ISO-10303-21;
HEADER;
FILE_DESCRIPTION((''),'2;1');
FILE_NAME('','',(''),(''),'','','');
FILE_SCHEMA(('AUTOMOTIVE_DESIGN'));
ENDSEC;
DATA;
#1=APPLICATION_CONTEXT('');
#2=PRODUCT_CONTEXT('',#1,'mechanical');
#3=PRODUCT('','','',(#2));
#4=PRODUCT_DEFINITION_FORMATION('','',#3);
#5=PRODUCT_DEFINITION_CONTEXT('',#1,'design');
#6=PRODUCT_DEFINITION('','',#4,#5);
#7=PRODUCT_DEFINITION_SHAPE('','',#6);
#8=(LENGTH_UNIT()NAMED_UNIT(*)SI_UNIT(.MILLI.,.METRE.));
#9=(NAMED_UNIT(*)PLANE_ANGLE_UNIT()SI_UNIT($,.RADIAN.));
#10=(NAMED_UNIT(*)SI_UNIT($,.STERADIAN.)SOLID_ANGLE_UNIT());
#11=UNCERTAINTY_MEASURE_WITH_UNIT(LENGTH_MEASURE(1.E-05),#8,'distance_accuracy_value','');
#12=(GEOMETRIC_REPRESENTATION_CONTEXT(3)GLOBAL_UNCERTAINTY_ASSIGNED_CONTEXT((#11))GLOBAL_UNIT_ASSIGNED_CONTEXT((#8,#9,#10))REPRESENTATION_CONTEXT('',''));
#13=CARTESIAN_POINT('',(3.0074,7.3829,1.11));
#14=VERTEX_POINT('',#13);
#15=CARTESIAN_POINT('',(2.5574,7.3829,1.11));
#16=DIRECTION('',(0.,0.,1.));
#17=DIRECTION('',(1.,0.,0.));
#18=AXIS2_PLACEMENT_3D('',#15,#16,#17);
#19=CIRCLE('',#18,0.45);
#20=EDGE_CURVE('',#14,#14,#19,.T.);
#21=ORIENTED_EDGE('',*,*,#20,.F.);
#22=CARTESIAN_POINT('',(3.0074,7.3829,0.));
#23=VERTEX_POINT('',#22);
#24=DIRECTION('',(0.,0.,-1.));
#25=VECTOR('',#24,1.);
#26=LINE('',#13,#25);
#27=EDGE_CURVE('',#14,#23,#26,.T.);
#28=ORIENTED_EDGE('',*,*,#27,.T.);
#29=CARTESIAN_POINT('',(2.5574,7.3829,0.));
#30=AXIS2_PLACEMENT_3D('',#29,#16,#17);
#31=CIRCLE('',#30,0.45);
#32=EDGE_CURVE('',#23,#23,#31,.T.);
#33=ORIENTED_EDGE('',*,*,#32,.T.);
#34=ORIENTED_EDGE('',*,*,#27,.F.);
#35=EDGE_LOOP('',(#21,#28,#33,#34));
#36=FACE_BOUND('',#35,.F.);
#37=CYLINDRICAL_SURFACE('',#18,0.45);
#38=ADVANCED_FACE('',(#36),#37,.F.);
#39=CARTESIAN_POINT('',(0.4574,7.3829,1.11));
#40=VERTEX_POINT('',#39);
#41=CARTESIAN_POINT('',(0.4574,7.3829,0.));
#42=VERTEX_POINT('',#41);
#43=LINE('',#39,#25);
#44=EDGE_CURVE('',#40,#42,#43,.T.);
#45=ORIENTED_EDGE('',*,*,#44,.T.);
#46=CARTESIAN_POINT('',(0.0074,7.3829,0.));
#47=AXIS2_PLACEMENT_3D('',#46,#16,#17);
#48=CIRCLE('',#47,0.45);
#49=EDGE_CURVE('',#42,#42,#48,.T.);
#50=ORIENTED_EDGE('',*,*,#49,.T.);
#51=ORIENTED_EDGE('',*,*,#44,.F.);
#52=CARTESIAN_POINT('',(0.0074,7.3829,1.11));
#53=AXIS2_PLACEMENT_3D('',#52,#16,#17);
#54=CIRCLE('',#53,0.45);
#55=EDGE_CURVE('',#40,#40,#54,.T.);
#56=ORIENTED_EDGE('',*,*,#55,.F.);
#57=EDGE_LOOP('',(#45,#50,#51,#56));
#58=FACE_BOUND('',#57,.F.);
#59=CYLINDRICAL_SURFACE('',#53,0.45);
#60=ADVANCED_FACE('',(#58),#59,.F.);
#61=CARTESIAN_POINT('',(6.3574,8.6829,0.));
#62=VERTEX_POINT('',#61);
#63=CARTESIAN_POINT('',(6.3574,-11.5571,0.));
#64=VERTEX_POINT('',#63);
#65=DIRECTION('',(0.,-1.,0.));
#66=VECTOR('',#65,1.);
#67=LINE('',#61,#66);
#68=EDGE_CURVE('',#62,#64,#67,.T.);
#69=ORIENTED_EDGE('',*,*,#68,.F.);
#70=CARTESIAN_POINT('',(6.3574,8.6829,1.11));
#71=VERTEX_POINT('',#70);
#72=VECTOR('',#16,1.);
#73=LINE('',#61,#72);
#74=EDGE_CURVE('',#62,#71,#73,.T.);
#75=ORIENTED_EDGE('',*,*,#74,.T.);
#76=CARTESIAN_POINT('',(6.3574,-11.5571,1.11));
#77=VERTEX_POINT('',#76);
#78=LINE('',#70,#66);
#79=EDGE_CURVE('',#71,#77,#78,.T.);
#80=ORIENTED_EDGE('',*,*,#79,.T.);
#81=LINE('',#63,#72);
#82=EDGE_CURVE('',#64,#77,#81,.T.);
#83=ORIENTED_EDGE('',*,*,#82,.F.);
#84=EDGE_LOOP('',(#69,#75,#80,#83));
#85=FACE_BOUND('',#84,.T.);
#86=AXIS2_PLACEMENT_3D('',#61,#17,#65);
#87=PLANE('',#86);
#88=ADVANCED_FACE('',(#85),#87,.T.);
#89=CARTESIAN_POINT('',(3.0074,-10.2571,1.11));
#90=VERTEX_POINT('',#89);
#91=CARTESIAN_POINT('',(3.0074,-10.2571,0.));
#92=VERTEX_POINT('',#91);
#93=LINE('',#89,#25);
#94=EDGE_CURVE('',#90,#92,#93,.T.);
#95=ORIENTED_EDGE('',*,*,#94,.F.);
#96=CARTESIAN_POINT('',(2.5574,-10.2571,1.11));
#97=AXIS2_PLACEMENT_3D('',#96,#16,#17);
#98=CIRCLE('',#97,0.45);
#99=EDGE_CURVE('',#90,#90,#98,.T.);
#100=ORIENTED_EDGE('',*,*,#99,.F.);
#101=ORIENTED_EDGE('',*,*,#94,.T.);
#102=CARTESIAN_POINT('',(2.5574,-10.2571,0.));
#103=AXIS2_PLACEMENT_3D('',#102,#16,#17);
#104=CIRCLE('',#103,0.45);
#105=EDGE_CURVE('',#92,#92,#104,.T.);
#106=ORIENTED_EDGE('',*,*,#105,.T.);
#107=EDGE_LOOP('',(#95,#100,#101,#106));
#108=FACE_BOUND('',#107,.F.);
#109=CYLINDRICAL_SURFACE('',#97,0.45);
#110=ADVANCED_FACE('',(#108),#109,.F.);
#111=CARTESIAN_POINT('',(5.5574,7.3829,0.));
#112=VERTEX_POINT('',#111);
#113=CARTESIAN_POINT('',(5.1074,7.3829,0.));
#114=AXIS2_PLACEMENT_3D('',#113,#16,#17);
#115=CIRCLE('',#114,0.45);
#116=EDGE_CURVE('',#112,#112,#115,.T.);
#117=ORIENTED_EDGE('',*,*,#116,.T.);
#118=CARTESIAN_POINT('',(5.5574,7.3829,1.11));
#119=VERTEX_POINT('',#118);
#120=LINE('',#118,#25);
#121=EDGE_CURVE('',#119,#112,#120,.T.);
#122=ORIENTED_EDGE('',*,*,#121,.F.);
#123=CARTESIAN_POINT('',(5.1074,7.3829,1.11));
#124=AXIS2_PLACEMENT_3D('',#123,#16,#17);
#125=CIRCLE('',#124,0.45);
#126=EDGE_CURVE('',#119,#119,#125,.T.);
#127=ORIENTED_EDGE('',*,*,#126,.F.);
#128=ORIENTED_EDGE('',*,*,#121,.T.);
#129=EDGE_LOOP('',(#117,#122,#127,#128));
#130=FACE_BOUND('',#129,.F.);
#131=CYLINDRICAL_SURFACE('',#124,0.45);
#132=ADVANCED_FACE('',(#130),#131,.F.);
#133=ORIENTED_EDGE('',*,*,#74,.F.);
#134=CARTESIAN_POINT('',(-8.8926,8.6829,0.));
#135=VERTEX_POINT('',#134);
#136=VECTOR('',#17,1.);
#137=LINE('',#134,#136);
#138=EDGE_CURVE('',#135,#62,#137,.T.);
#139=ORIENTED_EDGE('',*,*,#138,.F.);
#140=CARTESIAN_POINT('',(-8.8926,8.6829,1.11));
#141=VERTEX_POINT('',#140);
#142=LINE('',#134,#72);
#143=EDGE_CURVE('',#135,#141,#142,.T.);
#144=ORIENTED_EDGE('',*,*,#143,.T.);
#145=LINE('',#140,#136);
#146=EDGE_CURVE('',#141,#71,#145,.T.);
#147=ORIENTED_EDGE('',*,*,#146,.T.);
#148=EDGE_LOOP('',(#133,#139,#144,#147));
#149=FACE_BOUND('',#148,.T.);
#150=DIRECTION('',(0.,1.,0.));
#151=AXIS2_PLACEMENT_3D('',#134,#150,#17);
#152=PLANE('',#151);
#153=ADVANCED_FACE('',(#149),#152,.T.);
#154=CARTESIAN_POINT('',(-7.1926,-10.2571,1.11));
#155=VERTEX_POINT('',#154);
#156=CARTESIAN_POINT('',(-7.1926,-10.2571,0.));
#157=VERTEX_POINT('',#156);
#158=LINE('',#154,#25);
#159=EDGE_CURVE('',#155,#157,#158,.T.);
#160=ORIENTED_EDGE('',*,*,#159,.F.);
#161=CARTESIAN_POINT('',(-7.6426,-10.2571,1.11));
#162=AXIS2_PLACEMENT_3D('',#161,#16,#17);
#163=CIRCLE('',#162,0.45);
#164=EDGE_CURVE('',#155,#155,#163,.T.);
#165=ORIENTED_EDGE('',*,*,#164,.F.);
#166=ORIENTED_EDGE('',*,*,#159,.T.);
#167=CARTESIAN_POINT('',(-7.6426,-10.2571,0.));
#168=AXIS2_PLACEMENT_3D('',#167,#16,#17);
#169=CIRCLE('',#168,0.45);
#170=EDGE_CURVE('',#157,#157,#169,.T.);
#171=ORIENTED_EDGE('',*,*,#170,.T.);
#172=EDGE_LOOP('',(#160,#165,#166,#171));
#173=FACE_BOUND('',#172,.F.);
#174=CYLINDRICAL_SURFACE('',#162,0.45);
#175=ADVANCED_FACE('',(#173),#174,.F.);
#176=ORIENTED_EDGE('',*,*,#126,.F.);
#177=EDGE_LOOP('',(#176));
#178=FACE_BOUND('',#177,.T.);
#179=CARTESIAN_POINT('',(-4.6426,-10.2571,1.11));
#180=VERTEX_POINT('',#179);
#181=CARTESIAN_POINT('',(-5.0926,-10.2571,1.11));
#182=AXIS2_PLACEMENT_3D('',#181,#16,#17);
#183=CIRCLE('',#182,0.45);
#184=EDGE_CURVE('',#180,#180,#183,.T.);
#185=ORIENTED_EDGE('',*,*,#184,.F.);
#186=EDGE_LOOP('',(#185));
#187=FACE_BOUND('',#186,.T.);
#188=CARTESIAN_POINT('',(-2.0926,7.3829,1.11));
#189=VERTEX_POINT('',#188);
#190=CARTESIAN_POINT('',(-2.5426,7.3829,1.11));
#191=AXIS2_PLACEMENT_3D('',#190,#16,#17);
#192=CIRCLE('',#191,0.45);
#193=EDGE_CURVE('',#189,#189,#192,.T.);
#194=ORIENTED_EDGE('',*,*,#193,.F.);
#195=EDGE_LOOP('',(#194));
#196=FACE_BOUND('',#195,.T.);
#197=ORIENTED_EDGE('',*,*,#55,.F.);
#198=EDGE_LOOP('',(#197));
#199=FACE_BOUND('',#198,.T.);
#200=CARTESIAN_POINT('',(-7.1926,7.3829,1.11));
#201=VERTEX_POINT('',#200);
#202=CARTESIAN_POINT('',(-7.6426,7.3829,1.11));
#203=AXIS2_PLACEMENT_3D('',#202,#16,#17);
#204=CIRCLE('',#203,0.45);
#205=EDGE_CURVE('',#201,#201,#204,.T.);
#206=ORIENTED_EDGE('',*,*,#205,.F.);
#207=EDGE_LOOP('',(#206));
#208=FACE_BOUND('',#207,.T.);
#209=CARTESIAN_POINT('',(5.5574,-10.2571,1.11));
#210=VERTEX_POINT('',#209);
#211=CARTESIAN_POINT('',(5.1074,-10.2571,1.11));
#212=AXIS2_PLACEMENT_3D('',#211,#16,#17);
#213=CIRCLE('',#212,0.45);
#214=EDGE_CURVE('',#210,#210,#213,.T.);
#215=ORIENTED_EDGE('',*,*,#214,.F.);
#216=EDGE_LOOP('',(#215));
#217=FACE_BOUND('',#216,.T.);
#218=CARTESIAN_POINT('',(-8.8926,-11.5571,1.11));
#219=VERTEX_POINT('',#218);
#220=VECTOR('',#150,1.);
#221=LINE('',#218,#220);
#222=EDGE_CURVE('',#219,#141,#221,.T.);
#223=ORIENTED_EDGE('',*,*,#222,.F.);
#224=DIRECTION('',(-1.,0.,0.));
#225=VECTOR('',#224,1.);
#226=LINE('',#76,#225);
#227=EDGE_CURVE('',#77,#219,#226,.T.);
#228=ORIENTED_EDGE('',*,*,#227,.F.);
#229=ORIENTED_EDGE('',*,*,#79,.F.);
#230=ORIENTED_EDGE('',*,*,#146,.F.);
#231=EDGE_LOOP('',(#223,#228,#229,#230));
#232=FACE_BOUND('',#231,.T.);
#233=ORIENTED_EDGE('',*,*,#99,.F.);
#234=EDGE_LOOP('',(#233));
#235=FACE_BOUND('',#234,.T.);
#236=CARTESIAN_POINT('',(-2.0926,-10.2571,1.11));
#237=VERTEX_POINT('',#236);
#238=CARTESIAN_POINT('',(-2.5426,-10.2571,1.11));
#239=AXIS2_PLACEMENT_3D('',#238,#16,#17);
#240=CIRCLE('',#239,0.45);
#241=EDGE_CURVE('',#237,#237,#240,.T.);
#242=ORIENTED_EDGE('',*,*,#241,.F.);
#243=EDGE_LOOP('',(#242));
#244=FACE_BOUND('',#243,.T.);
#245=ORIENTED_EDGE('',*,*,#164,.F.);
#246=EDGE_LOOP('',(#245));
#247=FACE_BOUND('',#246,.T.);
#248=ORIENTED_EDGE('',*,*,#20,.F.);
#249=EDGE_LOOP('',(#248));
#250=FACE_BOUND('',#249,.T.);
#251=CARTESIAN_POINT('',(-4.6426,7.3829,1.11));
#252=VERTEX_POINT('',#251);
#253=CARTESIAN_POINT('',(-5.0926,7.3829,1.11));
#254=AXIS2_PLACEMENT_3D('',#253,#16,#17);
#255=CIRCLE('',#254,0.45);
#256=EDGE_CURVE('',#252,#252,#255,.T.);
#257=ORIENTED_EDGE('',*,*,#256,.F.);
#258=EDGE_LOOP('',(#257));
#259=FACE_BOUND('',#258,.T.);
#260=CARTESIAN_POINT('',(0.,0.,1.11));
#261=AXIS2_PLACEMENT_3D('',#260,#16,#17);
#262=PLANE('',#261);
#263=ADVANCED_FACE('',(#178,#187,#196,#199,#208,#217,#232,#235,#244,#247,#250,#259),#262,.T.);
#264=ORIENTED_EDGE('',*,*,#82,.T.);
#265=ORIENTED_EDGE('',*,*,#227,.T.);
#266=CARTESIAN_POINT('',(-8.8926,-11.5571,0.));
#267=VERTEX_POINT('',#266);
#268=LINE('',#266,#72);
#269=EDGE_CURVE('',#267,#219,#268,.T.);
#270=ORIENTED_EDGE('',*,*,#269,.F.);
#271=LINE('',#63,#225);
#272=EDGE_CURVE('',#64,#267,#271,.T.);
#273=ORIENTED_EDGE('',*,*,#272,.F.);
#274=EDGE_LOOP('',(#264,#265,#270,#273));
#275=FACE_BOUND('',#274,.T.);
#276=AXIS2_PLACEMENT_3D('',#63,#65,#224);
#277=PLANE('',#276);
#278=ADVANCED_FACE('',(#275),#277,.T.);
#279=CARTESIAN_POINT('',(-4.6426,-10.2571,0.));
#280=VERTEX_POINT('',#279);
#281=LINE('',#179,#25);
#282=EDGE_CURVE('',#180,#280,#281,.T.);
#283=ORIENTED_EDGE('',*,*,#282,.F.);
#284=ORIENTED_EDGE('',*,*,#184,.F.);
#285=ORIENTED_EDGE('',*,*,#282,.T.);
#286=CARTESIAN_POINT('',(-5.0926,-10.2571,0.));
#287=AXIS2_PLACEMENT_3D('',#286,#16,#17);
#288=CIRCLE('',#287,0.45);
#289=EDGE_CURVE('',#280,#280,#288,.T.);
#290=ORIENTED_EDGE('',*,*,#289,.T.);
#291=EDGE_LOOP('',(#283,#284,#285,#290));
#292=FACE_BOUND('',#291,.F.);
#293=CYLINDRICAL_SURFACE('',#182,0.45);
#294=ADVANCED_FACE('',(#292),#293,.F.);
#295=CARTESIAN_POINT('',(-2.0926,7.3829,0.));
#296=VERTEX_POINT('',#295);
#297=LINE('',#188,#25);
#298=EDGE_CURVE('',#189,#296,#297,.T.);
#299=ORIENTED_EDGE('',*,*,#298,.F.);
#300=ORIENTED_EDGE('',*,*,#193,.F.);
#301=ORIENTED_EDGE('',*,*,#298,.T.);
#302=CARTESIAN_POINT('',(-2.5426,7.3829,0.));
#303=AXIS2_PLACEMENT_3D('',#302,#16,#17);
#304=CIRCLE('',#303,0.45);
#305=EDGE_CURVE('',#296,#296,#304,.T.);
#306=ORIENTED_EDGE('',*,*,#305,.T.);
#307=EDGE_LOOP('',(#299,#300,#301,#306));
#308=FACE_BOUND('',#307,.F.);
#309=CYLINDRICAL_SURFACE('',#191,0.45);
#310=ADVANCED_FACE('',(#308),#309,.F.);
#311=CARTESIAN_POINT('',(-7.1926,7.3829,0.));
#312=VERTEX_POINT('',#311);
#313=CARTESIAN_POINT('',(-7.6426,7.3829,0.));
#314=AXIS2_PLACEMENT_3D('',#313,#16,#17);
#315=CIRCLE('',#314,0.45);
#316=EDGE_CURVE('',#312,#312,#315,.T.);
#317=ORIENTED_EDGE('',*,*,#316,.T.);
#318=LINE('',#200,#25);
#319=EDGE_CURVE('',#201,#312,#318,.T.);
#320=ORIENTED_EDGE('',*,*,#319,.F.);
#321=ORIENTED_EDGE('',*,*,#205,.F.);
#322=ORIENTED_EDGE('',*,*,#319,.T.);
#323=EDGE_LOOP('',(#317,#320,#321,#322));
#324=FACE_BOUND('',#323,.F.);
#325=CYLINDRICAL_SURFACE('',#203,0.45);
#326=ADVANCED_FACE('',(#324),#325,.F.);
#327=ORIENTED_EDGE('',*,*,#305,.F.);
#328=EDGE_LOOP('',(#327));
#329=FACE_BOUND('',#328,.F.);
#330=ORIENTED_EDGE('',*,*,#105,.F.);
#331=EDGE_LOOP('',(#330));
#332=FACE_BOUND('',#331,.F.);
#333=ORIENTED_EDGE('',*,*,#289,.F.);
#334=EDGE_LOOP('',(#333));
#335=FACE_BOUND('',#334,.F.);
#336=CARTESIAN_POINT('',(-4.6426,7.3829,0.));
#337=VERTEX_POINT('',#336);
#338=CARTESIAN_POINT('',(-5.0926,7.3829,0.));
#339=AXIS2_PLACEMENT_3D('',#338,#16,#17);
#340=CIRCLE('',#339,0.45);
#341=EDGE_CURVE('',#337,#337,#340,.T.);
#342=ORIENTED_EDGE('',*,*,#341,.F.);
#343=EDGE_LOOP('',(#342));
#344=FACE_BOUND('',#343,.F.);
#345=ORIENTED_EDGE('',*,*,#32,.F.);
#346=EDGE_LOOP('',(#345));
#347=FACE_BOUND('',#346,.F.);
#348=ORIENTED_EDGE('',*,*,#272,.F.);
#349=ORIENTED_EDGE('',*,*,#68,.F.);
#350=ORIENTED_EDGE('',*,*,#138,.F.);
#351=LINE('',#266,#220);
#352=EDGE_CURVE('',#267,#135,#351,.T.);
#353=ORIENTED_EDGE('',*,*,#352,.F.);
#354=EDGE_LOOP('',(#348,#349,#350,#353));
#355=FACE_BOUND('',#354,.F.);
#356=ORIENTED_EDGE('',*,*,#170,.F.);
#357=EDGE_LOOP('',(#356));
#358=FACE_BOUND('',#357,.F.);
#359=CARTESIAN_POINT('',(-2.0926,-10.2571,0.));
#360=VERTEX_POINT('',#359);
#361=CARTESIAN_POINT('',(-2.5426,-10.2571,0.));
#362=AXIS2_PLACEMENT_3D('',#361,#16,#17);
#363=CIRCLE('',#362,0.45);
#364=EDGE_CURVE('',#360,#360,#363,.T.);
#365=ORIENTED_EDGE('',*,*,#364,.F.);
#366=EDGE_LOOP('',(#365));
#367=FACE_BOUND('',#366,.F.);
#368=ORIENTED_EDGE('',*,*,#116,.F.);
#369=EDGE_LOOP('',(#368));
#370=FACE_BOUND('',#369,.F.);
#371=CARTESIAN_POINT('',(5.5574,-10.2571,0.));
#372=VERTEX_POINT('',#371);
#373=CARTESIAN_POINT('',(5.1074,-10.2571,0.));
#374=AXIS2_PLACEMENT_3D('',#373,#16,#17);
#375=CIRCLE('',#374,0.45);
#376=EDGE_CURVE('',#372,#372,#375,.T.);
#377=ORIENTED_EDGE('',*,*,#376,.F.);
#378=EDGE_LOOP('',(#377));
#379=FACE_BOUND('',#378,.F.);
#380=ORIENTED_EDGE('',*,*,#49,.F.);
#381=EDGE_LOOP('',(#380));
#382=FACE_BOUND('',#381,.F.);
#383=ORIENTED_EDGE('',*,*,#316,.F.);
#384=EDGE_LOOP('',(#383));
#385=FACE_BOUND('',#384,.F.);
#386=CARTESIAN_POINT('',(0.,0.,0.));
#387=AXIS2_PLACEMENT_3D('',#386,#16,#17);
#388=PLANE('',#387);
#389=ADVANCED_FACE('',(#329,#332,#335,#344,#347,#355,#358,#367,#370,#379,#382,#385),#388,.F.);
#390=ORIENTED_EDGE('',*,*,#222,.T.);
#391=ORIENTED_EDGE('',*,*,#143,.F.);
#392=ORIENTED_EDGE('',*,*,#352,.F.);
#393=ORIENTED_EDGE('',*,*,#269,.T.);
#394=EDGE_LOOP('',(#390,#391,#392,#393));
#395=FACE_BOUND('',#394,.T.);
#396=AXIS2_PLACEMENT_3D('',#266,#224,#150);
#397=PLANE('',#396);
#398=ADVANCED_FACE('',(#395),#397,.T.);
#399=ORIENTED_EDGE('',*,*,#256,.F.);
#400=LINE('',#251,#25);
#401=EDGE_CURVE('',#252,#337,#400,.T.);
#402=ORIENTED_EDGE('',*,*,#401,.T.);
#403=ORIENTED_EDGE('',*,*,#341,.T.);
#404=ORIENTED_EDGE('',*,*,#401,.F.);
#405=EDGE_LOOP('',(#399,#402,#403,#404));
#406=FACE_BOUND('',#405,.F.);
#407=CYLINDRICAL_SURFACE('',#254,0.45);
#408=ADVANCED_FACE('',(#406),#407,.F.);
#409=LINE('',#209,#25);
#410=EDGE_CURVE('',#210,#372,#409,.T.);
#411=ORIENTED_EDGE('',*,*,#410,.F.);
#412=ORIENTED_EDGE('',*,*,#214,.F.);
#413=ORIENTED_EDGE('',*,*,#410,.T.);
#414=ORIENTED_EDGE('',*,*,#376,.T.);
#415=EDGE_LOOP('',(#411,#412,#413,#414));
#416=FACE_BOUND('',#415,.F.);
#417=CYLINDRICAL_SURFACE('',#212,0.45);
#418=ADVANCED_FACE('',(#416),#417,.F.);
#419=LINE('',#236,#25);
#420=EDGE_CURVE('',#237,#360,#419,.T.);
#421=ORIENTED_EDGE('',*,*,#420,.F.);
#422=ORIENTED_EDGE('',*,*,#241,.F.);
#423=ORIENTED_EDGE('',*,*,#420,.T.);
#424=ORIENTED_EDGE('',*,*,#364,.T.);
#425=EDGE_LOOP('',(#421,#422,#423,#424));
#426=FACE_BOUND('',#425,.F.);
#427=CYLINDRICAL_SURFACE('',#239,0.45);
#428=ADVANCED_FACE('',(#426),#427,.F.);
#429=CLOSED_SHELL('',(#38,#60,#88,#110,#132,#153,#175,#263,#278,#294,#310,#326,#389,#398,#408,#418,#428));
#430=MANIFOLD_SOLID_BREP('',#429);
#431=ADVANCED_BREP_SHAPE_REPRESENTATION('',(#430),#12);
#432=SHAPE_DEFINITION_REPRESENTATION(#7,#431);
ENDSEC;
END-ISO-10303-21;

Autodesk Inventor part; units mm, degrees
ref_plane "YZ Plane" through (0, 0, 0) normal (1, 0, 0) x (0, 1, 0)
ref_plane "XZ Plane" through (0, 0, 0) normal (0, 1, 0) x (-1, 0, 0)
ref_plane "XY Plane" through (0, 0, 0) normal (0, 0, 1) x (1, 0, 0)
sketch "Skizze1" plane through (0, 0, 0) normal (0, 0, 1) x (1, 0, 0)
  line L0 (-8.8926, 8.6829) -> (6.3574, 8.6829)
  line L1 (6.3574, 8.6829) -> (6.3574, -11.5571)
  line L2 (6.3574, -11.5571) -> (-8.8926, -11.5571)
  line L3 (-8.8926, -11.5571) -> (-8.8926, 8.6829)
  point P0 (0, 0)
  dimension "d0" = 15.25
  dimension "d1" = 20.24
extrude "Extrusion2" add sketch "Skizze1" along normal blind 1.11
sketch "Skizze2" plane through (0, 0, 1.11) normal (0, 0, 1) x (1, 0, 0)
  line L0 (6.3574, 8.6829) -> (-8.8926, 8.6829) construction
  line L1 (-8.8926, 8.6829) -> (-8.8926, 7.3829) construction
  line L2 (-8.8926, 8.6829) -> (-8.8926, -11.5571) construction
  line L3 (-8.8926, 7.3829) -> (6.3574, 7.3829) construction
  line L4 (6.3574, -11.5571) -> (6.3574, 8.6829) construction
  line L5 (-8.8926, 7.3829) -> (-8.0926, 7.3829) construction
  line L6 (6.3574, 7.3829) -> (5.5574, 7.3829) construction
  line L7 (-8.0926, 7.3829) -> (-7.6426, 7.3829) construction
  circle A0 centre (-7.6426, 7.3829) radius 0.45
  circle A1 centre (-5.0926, 7.3829) radius 0.45
  circle A2 centre (-2.5426, 7.3829) radius 0.45
  circle A3 centre (0.0074, 7.3829) radius 0.45
  circle A4 centre (2.5574, 7.3829) radius 0.45
  circle A5 centre (5.1074, 7.3829) radius 0.45
  line L8 (-8.8926, -11.5571) -> (-8.8926, -10.2571) construction
  line L9 (-8.8926, -10.2571) -> (6.3574, -10.2571) construction
  line L10 (-8.8926, -10.2571) -> (-7.6426, -10.2571) construction
  circle A6 centre (-7.6426, -10.2571) radius 0.45
  circle A7 centre (-5.0926, -10.2571) radius 0.45
  line L11 (-6.3426, -10.2571) -> (8.9074, -10.2571) construction
  circle A8 centre (-2.5426, -10.2571) radius 0.45
  line L12 (-3.7926, -10.2571) -> (11.4574, -10.2571) construction
  circle A9 centre (0.0074, -10.2571) radius 0.45
  line L13 (-1.2426, -10.2571) -> (14.0074, -10.2571) construction
  circle A10 centre (2.5574, -10.2571) radius 0.45
  line L14 (1.3074, -10.2571) -> (16.5574, -10.2571) construction
  circle A11 centre (5.1074, -10.2571) radius 0.45
  line L15 (3.8574, -10.2571) -> (19.1074, -10.2571) construction
  line L16 (5.5574, 7.3829) -> (5.1074, 7.3829)
  point P0 (0, 0)
  dimension "d6" = 1.3
  dimension "d7" = 0.8
  dimension "d8" = 0.8
  dimension "d9" = 0.45
  dimension "d10" = 0.9
  dimension "d13" = 2.55
  dimension "d20" = 1.3
  dimension "d21" = 1.25
  dimension "d22" = 0.9
  dimension "d25" = 2.55
  dimension "d30" = 0.45
extrude "Extrusion3" cut sketch "Skizze2" against normal blind 1.11 contours A0 | A1 | A2 | A3 | A4 | A5 | A6 | A7 | A8 | A10 | A11
sketch "Skizze3" plane through (0, 0, 1.11) normal (0, 0, 1) x (1, 0, 0)
  line L0 (6.3574, 8.6829) -> (-8.8926, 8.6829) projected
  line L1 (-8.8926, 8.6829) -> (6.4364, 8.6229) construction
  line L2 (6.4364, 8.6229) -> (6.3574, -11.5571) construction
  line L3 (6.3574, -11.5571) -> (-8.9716, -11.4971) construction
  line L4 (-8.9716, -11.4971) -> (-8.8926, 8.6829) construction
  point P0 (0, 0)
  point P1 (-1.2676, 8.6829)
  point P2 (6.3574, -11.5571)
decal "Aufkleber1"
sketch "Skizze4" plane through (0, 0, 0) normal (0, 0, -1) x (-1, 0, 0)
  line L0 (8.9962, -11.5571) -> (-6.461, -11.5571) construction
  line L1 (-6.461, -11.5571) -> (-6.461, 8.6829) construction
  line L2 (-6.461, 8.6829) -> (8.9962, 8.6829) construction
  line L3 (8.9962, 8.6829) -> (8.9962, -11.5571) construction
  line L4 (-6.3574, -11.5571) -> (8.8926, -11.5571) projected
  line L5 (8.8926, 8.6829) -> (-6.3574, 8.6829) projected
  point P0 (0, 0)
  point P1 (1.2676, -11.5571)
  point P2 (1.2676, 8.6829)
decal "Aufkleber2"
properties part number "chip_gross"
